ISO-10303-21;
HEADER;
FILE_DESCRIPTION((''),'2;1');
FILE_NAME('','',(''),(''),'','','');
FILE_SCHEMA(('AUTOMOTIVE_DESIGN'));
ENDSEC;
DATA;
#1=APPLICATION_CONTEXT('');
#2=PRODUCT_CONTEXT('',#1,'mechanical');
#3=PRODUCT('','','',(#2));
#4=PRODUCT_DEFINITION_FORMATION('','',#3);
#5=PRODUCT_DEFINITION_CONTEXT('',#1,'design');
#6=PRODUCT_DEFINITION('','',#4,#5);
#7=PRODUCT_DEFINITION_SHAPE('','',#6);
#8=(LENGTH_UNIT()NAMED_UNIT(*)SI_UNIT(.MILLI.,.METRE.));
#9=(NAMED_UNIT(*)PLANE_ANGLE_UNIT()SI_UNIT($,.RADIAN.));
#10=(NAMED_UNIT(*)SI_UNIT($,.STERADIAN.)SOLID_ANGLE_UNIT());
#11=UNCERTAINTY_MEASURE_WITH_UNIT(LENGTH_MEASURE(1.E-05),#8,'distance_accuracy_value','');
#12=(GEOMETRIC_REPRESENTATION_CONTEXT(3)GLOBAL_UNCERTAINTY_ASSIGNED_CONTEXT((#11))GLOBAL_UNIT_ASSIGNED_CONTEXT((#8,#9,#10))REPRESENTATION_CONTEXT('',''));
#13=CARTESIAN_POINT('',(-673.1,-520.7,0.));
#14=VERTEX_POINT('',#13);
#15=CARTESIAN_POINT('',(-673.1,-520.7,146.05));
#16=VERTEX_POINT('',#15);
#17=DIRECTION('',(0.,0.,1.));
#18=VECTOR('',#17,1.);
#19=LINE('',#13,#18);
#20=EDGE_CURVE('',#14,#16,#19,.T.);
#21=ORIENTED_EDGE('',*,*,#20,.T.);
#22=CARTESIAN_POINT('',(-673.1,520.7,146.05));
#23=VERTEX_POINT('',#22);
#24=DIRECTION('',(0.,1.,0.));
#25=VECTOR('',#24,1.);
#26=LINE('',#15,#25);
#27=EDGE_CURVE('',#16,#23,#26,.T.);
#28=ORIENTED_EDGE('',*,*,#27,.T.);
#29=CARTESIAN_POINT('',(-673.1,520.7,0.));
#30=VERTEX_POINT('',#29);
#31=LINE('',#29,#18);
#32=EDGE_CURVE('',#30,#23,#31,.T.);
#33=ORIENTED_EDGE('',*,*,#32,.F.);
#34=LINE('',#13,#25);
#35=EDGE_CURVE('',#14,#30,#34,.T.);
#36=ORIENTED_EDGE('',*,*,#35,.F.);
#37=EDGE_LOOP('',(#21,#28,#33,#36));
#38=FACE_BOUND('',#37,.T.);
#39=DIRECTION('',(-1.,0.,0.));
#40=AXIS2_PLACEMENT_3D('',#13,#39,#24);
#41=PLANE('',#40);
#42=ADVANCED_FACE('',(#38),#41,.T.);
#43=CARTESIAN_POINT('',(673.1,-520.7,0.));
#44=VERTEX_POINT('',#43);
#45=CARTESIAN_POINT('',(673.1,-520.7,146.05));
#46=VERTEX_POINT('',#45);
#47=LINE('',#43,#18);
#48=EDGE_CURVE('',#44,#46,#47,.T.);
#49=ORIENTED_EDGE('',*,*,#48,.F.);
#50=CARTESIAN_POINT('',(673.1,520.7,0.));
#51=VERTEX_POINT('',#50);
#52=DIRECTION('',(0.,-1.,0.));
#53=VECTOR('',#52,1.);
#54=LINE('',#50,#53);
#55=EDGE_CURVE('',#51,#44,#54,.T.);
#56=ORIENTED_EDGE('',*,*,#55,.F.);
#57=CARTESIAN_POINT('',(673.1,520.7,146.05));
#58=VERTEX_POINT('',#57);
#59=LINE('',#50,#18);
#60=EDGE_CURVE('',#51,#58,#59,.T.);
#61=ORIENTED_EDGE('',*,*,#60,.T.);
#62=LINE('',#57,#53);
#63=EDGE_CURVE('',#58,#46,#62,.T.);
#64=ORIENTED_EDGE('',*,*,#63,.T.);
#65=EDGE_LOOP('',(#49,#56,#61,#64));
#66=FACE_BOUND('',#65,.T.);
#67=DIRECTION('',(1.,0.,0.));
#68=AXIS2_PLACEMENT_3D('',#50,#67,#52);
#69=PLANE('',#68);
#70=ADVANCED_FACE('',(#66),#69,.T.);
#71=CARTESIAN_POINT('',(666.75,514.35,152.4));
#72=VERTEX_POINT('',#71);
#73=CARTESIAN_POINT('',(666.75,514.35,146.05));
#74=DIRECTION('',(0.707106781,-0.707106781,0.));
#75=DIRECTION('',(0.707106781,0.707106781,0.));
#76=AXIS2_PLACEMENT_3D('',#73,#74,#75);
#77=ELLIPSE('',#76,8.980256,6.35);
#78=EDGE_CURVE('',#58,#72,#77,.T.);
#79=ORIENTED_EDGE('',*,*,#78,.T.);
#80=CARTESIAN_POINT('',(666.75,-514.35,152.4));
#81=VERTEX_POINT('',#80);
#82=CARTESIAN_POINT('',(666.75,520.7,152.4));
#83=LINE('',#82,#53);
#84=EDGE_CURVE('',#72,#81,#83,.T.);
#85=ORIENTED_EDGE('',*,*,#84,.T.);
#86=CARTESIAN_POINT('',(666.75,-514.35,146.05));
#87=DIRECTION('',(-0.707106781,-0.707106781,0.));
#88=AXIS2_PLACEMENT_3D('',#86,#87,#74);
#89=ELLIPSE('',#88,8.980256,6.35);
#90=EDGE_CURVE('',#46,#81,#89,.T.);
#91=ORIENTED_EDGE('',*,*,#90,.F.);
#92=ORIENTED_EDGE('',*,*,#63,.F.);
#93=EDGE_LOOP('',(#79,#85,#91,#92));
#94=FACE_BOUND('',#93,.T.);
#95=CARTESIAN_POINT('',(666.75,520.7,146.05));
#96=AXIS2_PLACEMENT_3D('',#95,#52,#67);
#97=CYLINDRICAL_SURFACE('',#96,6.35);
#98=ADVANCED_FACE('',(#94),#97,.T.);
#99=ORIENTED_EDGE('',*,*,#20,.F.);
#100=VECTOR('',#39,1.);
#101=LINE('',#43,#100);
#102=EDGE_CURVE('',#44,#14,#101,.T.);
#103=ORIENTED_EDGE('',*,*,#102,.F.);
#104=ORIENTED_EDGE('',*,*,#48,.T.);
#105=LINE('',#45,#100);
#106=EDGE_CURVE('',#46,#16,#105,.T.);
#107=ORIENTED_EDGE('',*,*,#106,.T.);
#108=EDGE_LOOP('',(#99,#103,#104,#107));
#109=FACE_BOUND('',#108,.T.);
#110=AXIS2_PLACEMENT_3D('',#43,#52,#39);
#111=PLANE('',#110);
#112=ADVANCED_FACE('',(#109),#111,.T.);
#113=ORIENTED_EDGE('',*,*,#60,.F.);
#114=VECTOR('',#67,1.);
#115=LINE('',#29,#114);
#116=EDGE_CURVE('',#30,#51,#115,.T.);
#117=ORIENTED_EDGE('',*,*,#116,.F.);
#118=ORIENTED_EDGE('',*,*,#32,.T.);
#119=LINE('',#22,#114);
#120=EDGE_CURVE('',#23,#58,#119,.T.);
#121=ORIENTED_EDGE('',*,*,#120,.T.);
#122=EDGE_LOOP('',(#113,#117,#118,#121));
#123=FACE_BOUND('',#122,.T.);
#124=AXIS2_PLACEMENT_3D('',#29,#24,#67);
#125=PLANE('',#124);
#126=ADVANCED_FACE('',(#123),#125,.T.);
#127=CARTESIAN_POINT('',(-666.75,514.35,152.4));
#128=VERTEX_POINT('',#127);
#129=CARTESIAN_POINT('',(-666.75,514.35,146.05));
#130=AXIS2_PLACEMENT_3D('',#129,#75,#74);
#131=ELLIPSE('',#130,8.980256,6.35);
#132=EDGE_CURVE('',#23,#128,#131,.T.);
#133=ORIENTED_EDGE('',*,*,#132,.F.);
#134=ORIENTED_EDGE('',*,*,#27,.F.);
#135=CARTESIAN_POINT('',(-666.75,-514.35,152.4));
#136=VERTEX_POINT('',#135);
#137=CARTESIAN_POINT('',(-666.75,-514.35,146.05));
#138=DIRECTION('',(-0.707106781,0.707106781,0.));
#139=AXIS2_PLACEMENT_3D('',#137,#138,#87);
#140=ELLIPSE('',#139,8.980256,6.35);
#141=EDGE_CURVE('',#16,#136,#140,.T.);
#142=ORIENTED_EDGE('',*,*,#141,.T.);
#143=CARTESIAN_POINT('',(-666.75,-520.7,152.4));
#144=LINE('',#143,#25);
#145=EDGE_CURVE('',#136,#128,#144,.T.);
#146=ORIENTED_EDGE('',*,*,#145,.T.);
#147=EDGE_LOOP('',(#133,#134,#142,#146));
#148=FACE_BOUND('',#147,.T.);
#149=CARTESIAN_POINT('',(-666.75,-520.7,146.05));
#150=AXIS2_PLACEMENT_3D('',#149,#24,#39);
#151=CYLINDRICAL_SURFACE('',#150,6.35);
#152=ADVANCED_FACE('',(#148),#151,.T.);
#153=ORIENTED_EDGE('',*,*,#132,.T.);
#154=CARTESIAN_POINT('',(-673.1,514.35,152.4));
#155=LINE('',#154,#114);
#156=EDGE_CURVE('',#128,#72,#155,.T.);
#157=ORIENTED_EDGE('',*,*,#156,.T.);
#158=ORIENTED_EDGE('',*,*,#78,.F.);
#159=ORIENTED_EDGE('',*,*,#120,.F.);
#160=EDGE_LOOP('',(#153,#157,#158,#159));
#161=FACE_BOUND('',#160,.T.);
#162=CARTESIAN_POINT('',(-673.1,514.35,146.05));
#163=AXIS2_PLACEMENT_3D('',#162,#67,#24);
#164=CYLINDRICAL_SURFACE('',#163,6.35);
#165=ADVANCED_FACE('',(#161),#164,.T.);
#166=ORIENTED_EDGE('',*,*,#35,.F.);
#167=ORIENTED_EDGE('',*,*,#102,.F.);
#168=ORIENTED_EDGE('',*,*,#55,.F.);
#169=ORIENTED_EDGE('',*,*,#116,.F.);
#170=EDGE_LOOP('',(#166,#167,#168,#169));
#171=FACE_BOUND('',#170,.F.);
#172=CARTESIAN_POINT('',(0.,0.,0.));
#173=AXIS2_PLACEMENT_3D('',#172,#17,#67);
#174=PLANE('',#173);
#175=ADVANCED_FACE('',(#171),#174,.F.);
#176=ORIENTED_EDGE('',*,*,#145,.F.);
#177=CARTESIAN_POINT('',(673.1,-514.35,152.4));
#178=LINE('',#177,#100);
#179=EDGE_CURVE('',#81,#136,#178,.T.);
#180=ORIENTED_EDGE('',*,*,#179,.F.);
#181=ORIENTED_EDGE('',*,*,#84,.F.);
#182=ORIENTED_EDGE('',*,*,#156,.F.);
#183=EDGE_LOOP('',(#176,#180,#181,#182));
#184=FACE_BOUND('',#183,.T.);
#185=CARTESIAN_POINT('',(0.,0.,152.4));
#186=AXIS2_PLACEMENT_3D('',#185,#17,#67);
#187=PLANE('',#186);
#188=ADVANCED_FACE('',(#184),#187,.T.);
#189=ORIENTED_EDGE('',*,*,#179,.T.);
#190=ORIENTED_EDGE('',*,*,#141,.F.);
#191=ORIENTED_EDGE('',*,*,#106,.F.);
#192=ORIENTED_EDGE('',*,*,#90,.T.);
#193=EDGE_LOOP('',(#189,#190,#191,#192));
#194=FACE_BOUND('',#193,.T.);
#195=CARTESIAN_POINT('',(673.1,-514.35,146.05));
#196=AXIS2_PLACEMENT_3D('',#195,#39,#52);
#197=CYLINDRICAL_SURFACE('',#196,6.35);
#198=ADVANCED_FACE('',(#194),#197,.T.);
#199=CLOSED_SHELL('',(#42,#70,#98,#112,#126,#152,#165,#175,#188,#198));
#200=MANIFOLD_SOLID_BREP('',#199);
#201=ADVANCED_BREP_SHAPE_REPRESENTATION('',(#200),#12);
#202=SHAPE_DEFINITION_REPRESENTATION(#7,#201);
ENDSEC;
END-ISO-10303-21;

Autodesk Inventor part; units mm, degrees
ref_plane "YZ Plane" through (0, 0, 0) normal (1, 0, 0) x (0, 1, 0)
ref_plane "XZ Plane" through (0, 0, 0) normal (0, 1, 0) x (-1, 0, 0)
ref_plane "XY Plane" through (0, 0, 0) normal (0, 0, 1) x (1, 0, 0)
sketch "Sketch1" plane through (0, 0, 0) normal (0, 0, 1) x (1, 0, 0)
  line L0 (-673.1, 520.7) -> (673.1, 520.7)
  line L1 (673.1, 520.7) -> (673.1, -520.7)
  line L2 (673.1, -520.7) -> (-673.1, -520.7)
  line L3 (-673.1, -520.7) -> (-673.1, 520.7)
  line L4 (-673.1, 520.7) -> (673.1, -520.7) construction
  line L5 (673.1, 520.7) -> (-673.1, -520.7) construction
  point P0 (0, 0)
  dimension "d0" = 1346.2
  dimension "d1" = 1041.4
extrude "Extrusion1" add sketch "Sketch1" along normal blind 152.4
fillet "Fillet1" radius 6.35 4 edges at (0, 520.7, 152.4) (673.1, 0, 152.4) (0, -520.7, 152.4) (-673.1, 0, 152.4)
properties part number "9-1x-53x41x6 sn step" material "Granite, Cut, Polished"
